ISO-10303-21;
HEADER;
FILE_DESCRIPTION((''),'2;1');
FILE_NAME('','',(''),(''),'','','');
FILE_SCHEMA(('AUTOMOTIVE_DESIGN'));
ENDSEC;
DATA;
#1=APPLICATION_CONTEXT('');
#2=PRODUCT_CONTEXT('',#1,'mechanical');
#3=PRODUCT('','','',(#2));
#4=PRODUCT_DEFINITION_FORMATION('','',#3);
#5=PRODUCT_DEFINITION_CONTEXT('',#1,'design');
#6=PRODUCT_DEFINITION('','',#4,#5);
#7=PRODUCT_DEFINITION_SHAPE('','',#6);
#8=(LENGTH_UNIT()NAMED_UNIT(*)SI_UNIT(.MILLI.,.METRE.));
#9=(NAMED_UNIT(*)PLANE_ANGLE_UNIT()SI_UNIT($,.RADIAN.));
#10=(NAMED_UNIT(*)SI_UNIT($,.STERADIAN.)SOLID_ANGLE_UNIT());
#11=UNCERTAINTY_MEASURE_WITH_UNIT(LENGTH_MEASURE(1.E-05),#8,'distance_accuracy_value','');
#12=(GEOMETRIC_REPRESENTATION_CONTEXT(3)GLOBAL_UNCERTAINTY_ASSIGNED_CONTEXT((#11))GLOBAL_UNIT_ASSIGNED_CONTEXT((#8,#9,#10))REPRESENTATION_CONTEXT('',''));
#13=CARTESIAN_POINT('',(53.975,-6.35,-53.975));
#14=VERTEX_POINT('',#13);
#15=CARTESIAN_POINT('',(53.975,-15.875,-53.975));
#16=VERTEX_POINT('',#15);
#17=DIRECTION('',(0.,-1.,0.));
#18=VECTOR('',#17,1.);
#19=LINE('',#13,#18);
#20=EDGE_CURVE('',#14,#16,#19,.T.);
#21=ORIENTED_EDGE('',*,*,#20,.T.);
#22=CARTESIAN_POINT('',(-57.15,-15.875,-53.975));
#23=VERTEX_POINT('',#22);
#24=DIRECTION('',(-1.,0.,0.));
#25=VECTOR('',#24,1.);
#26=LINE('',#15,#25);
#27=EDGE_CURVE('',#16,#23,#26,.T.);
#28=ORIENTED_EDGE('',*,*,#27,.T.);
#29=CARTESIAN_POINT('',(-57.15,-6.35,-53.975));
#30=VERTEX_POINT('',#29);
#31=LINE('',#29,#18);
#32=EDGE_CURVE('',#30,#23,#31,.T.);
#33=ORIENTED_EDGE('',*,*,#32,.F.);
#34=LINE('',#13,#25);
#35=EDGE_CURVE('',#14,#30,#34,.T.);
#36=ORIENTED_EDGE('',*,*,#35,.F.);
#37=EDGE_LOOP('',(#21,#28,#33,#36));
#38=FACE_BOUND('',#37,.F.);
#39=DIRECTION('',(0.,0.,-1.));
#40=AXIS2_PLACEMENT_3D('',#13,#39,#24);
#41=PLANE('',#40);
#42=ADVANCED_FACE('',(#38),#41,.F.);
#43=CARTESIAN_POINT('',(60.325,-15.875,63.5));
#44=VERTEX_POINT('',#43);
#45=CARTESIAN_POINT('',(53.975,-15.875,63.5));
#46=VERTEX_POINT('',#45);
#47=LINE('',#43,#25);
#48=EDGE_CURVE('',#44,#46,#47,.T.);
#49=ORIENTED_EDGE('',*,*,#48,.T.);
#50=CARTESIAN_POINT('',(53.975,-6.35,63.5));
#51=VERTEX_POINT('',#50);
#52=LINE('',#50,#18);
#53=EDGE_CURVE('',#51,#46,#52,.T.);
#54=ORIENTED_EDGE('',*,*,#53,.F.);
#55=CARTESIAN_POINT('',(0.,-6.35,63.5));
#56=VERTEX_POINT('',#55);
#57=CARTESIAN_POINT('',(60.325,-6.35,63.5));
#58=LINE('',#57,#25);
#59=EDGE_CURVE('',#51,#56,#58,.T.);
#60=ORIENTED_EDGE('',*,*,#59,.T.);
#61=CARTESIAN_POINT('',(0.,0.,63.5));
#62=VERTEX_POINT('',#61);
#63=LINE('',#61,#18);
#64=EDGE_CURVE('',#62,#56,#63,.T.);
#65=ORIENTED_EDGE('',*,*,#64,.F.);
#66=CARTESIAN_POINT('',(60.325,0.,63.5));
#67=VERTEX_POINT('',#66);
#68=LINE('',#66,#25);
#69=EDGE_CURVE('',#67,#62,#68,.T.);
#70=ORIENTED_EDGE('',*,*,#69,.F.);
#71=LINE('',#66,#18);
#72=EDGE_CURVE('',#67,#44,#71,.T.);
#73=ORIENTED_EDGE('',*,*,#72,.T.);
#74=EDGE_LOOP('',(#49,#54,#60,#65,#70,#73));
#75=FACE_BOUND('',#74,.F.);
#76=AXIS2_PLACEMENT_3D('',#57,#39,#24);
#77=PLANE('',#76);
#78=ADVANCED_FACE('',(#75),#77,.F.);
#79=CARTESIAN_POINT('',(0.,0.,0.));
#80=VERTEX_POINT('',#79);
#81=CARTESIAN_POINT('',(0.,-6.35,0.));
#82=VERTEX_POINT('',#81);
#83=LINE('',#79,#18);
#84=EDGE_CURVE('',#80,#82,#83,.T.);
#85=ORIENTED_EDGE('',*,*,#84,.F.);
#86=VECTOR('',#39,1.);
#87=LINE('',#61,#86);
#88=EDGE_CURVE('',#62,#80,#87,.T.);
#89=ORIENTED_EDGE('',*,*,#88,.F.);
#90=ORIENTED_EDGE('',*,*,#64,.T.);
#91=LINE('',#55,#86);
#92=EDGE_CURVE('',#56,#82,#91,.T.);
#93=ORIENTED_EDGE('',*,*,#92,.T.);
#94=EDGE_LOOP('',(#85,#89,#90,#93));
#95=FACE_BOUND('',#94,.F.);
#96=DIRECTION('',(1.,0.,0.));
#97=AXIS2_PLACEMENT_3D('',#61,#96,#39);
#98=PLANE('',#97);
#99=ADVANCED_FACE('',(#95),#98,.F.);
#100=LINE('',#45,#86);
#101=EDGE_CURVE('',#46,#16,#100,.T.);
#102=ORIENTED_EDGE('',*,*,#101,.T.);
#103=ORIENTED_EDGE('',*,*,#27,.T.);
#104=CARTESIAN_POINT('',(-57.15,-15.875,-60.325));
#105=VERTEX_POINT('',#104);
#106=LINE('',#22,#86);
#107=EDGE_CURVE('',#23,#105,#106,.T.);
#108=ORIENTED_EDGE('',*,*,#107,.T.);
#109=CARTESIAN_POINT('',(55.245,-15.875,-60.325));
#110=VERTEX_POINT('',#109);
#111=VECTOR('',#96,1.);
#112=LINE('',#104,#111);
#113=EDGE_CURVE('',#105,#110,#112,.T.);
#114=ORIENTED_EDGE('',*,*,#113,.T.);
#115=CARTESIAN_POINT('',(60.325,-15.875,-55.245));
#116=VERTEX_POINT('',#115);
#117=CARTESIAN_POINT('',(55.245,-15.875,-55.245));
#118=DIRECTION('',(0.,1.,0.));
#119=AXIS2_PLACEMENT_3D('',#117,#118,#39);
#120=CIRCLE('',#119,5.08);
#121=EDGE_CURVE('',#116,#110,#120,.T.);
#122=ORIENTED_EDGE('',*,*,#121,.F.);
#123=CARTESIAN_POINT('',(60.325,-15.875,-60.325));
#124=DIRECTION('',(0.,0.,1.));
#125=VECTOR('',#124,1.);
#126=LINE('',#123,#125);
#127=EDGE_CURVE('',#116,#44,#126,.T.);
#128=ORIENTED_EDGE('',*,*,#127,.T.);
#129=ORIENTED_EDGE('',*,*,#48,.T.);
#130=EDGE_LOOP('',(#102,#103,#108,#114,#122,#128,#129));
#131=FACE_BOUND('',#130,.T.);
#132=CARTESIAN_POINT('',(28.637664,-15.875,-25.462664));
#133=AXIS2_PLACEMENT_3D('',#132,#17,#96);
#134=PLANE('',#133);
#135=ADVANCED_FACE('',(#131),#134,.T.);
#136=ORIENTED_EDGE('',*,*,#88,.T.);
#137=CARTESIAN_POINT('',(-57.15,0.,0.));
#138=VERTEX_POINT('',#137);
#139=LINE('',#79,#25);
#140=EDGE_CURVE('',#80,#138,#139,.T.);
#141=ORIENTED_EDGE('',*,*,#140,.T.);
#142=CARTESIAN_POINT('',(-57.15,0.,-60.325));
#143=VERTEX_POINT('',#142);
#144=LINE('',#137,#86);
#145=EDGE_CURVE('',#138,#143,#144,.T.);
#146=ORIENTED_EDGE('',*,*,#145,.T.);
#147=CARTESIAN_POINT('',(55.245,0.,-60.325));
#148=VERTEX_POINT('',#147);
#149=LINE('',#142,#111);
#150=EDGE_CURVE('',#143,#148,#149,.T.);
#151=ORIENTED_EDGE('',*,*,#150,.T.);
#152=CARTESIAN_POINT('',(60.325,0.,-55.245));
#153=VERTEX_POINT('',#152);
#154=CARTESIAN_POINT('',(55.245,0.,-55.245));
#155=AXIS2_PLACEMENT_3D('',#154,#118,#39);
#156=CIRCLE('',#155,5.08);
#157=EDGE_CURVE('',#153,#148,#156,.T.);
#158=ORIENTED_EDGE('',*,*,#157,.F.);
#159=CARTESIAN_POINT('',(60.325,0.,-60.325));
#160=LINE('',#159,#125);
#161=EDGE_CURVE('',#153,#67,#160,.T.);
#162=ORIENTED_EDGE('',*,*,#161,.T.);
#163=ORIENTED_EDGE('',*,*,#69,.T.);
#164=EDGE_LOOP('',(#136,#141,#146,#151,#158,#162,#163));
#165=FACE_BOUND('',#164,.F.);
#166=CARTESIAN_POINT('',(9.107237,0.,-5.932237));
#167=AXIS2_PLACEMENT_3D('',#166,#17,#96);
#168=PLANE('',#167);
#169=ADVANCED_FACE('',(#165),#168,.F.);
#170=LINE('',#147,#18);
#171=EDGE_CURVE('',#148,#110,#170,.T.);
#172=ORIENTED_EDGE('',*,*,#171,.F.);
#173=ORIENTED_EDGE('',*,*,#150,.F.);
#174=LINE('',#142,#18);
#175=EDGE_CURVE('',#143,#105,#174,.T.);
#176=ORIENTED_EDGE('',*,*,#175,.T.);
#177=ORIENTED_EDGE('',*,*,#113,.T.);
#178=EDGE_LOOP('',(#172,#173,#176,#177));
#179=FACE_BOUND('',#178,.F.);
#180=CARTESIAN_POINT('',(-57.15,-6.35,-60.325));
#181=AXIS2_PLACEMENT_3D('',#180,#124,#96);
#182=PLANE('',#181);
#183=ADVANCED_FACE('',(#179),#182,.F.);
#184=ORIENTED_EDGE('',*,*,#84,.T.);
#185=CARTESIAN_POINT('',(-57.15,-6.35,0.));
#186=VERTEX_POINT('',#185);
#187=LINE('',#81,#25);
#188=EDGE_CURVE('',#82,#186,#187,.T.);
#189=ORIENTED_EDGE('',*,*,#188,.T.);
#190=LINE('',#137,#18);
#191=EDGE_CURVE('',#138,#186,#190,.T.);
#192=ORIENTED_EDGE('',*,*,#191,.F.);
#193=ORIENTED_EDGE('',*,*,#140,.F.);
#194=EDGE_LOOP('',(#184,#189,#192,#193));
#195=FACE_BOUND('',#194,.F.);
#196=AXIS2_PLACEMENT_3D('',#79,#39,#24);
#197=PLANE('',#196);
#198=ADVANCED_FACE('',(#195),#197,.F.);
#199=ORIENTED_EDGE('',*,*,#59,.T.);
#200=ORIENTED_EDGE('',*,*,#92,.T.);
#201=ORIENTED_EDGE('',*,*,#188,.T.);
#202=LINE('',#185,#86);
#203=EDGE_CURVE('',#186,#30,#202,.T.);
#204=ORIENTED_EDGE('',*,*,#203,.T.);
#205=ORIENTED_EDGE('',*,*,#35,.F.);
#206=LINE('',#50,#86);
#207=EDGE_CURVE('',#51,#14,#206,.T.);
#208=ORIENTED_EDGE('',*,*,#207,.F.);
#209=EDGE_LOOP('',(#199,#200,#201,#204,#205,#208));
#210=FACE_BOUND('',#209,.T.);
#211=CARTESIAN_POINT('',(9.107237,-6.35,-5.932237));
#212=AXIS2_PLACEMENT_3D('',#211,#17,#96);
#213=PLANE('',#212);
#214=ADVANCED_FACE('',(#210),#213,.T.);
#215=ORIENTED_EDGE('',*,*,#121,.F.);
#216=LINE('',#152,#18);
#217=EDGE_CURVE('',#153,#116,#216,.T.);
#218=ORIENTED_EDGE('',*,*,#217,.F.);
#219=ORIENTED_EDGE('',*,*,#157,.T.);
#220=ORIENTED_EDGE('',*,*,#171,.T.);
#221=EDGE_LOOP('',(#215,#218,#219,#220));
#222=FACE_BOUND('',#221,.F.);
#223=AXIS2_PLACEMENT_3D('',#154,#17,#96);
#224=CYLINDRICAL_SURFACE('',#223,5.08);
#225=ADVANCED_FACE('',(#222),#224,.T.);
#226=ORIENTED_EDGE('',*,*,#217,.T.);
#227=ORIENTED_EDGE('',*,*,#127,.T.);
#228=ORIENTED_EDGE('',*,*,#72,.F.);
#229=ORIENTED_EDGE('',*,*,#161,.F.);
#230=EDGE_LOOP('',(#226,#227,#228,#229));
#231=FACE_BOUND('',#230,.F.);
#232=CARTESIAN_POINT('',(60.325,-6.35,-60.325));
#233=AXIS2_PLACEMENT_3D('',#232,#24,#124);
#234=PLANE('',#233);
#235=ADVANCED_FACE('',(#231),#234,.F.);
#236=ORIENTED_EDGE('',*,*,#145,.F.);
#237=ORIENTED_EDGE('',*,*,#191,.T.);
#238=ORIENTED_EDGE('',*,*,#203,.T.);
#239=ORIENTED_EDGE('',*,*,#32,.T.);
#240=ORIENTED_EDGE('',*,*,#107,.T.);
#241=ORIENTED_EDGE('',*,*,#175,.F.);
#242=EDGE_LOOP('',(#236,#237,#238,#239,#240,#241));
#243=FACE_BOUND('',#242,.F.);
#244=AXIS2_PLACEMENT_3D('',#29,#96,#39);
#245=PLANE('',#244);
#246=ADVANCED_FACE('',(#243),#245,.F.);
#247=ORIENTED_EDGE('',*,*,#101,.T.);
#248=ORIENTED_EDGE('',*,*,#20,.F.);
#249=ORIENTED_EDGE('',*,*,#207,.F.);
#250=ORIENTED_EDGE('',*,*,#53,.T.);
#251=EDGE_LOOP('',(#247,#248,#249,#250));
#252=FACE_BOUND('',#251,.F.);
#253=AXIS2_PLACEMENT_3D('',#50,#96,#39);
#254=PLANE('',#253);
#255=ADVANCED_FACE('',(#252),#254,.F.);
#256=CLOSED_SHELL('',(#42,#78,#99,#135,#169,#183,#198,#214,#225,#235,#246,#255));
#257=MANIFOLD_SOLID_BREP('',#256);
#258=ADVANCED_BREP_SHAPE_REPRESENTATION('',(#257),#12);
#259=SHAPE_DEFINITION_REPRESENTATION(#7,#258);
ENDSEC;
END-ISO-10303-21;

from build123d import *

# Parameters (mm, degrees)
F1_DEPTH = 6.35
F3_DEPTH = 9.525
F4_R     = 5.08


with BuildPart() as f1:
    # F0 (on Front) → F1 (new body)
    with BuildSketch(Plane.XZ):
        Polygon((0, 63.5), (0, 0), (-57.15, 0), (-57.15, -60.325), (60.325, -60.325), (60.325, 63.5), align=None)
    extrude(amount=F1_DEPTH)

    # F2 (on face) → F3 (join)
    with BuildSketch(Plane.XZ.offset(6.35)):
        Polygon((-57.15, -53.975), (-57.15, -60.325), (60.325, -60.325), (60.325, 63.5), (53.975, 63.5), (53.975, -53.975), align=None)
    extrude(amount=F3_DEPTH)

    # F4
    f4_edges = [f1.edges().sort_by_distance(p)[0] for p in [
        (60.325, -7.9375, -60.325),
    ]]
    fillet(f4_edges, radius=F4_R)


solid = f1.part
